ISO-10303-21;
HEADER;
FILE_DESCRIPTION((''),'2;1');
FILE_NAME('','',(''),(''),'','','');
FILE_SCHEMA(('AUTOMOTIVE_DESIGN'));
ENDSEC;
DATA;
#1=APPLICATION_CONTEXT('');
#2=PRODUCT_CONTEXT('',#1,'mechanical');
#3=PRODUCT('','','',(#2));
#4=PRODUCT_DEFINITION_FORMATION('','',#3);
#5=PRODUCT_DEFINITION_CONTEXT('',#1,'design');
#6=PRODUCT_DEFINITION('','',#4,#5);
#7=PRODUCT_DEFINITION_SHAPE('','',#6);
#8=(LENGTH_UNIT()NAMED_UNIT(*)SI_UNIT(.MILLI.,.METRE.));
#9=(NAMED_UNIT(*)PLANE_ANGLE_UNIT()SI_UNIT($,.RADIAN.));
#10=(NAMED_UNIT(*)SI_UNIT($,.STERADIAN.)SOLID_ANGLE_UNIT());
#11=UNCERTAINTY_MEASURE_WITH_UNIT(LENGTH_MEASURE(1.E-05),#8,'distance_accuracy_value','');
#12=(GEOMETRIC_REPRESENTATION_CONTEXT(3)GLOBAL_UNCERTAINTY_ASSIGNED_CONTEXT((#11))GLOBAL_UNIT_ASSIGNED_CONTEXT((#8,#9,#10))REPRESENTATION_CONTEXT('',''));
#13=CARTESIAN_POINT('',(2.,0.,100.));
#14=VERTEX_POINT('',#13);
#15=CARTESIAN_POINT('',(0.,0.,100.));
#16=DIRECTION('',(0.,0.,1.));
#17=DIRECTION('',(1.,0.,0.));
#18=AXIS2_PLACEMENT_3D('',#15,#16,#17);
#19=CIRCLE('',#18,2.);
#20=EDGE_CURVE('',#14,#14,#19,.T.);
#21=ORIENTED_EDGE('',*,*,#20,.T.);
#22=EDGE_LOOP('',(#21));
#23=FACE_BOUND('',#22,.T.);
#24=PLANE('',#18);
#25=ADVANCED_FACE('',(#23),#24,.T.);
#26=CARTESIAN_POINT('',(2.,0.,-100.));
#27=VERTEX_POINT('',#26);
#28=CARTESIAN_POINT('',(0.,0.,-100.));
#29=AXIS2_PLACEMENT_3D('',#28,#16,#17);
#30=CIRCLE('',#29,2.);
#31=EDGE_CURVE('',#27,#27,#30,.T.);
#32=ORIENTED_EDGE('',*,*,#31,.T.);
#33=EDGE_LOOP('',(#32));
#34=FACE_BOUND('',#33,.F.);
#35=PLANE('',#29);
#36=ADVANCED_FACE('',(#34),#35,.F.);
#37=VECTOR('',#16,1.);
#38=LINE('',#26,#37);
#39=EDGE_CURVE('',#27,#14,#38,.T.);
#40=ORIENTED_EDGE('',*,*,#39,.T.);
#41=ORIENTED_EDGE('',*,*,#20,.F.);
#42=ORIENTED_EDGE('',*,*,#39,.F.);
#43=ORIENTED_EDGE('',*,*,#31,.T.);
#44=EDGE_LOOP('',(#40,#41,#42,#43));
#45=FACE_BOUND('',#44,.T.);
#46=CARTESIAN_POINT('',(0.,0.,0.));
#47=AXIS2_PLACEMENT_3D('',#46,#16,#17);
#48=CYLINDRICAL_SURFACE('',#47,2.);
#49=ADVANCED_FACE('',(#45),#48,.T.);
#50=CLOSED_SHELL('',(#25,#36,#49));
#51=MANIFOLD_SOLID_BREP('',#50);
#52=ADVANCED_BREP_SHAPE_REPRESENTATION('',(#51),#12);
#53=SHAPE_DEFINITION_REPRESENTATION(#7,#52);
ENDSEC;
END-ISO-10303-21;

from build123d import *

# Parameters (mm, degrees)
SKETCH1_R           = 2
BOSS_EXTRUDE1_DEPTH = 100


with BuildPart() as part:
    # Sketch1 → Boss-Extrude1 (new body, symmetric)
    with BuildSketch(Plane.XY):
        Circle(SKETCH1_R)
    extrude(amount=BOSS_EXTRUDE1_DEPTH, both=True)


solid = part.part
